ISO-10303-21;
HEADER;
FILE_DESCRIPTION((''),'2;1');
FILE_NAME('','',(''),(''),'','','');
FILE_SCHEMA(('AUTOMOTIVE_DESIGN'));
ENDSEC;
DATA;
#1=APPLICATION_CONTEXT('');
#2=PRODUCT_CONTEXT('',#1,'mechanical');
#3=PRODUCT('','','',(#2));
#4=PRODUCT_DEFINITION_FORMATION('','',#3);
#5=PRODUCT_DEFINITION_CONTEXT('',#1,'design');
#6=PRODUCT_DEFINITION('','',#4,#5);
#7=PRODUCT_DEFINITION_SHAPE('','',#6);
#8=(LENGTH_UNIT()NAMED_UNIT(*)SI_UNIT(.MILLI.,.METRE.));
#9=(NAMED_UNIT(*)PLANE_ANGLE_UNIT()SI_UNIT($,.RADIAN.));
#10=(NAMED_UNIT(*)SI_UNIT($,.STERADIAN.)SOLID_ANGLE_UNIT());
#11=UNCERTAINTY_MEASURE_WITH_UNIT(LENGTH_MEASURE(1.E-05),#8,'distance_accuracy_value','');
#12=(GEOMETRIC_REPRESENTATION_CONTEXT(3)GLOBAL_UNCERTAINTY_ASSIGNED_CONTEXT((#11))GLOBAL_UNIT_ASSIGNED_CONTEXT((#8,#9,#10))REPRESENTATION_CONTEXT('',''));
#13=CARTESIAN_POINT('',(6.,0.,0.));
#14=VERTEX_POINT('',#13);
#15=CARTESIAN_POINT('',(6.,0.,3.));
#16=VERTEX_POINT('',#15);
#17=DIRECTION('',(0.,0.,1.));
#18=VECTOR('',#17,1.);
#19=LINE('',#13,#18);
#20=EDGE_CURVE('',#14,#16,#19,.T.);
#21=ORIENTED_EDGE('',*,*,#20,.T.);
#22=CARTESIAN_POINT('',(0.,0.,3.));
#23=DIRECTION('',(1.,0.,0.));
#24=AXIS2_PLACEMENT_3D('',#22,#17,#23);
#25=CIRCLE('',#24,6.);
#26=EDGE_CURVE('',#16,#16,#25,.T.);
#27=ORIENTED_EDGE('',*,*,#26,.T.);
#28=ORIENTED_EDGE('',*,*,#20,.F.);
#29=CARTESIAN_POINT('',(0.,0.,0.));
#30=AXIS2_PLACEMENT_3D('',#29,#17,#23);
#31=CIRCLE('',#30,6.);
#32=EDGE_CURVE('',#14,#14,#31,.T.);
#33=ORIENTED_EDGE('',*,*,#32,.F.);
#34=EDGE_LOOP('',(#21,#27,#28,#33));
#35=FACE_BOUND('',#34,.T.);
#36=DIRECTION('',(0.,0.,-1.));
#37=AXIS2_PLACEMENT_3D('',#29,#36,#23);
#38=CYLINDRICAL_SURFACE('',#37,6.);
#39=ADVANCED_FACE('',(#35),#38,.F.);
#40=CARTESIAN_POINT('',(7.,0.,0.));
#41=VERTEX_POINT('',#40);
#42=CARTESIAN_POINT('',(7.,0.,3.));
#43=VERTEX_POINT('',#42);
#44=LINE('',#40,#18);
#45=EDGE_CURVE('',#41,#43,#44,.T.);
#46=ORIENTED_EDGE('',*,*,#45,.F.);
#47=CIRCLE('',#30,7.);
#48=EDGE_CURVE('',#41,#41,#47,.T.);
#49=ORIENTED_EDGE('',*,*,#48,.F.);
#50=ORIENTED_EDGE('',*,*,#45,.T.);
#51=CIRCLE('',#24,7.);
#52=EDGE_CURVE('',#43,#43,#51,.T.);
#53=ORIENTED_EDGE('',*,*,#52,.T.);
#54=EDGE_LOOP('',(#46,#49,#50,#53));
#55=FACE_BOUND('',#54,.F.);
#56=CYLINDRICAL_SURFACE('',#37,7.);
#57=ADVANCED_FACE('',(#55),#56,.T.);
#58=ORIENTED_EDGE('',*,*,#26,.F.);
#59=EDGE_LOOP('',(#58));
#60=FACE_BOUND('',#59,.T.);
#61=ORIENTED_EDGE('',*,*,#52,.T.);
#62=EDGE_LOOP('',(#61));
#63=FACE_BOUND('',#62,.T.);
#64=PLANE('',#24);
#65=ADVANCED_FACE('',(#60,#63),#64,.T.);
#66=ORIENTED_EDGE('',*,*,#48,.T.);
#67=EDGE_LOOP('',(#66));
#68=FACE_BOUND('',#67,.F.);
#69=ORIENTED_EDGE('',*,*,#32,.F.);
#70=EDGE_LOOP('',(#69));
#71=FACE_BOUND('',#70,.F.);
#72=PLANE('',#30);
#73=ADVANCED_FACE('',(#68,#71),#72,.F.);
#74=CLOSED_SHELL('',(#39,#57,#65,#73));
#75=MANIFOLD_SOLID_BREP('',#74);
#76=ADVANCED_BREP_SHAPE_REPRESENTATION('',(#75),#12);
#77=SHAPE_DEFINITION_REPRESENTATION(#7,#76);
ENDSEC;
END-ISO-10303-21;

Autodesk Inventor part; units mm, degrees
ref_plane "YZ Plane" through (0, 0, 0) normal (1, 0, 0) x (0, 1, 0)
ref_plane "XZ Plane" through (0, 0, 0) normal (0, 1, 0) x (-1, 0, 0)
ref_plane "XY Plane" through (0, 0, 0) normal (0, 0, 1) x (1, 0, 0)
sketch "スケッチ1" plane through (0, 0, 0) normal (0, 0, 1) x (1, 0, 0)
  circle A0 centre (0, 0) radius 6
  circle A1 centre (0, 0) radius 7
  dimension "d0" = 12
  dimension "d1" = 14
extrude "押し出し1" add sketch "スケッチ1" along normal blind 3
properties part number "オイレス121403" material "アセタール樹脂、黒"
